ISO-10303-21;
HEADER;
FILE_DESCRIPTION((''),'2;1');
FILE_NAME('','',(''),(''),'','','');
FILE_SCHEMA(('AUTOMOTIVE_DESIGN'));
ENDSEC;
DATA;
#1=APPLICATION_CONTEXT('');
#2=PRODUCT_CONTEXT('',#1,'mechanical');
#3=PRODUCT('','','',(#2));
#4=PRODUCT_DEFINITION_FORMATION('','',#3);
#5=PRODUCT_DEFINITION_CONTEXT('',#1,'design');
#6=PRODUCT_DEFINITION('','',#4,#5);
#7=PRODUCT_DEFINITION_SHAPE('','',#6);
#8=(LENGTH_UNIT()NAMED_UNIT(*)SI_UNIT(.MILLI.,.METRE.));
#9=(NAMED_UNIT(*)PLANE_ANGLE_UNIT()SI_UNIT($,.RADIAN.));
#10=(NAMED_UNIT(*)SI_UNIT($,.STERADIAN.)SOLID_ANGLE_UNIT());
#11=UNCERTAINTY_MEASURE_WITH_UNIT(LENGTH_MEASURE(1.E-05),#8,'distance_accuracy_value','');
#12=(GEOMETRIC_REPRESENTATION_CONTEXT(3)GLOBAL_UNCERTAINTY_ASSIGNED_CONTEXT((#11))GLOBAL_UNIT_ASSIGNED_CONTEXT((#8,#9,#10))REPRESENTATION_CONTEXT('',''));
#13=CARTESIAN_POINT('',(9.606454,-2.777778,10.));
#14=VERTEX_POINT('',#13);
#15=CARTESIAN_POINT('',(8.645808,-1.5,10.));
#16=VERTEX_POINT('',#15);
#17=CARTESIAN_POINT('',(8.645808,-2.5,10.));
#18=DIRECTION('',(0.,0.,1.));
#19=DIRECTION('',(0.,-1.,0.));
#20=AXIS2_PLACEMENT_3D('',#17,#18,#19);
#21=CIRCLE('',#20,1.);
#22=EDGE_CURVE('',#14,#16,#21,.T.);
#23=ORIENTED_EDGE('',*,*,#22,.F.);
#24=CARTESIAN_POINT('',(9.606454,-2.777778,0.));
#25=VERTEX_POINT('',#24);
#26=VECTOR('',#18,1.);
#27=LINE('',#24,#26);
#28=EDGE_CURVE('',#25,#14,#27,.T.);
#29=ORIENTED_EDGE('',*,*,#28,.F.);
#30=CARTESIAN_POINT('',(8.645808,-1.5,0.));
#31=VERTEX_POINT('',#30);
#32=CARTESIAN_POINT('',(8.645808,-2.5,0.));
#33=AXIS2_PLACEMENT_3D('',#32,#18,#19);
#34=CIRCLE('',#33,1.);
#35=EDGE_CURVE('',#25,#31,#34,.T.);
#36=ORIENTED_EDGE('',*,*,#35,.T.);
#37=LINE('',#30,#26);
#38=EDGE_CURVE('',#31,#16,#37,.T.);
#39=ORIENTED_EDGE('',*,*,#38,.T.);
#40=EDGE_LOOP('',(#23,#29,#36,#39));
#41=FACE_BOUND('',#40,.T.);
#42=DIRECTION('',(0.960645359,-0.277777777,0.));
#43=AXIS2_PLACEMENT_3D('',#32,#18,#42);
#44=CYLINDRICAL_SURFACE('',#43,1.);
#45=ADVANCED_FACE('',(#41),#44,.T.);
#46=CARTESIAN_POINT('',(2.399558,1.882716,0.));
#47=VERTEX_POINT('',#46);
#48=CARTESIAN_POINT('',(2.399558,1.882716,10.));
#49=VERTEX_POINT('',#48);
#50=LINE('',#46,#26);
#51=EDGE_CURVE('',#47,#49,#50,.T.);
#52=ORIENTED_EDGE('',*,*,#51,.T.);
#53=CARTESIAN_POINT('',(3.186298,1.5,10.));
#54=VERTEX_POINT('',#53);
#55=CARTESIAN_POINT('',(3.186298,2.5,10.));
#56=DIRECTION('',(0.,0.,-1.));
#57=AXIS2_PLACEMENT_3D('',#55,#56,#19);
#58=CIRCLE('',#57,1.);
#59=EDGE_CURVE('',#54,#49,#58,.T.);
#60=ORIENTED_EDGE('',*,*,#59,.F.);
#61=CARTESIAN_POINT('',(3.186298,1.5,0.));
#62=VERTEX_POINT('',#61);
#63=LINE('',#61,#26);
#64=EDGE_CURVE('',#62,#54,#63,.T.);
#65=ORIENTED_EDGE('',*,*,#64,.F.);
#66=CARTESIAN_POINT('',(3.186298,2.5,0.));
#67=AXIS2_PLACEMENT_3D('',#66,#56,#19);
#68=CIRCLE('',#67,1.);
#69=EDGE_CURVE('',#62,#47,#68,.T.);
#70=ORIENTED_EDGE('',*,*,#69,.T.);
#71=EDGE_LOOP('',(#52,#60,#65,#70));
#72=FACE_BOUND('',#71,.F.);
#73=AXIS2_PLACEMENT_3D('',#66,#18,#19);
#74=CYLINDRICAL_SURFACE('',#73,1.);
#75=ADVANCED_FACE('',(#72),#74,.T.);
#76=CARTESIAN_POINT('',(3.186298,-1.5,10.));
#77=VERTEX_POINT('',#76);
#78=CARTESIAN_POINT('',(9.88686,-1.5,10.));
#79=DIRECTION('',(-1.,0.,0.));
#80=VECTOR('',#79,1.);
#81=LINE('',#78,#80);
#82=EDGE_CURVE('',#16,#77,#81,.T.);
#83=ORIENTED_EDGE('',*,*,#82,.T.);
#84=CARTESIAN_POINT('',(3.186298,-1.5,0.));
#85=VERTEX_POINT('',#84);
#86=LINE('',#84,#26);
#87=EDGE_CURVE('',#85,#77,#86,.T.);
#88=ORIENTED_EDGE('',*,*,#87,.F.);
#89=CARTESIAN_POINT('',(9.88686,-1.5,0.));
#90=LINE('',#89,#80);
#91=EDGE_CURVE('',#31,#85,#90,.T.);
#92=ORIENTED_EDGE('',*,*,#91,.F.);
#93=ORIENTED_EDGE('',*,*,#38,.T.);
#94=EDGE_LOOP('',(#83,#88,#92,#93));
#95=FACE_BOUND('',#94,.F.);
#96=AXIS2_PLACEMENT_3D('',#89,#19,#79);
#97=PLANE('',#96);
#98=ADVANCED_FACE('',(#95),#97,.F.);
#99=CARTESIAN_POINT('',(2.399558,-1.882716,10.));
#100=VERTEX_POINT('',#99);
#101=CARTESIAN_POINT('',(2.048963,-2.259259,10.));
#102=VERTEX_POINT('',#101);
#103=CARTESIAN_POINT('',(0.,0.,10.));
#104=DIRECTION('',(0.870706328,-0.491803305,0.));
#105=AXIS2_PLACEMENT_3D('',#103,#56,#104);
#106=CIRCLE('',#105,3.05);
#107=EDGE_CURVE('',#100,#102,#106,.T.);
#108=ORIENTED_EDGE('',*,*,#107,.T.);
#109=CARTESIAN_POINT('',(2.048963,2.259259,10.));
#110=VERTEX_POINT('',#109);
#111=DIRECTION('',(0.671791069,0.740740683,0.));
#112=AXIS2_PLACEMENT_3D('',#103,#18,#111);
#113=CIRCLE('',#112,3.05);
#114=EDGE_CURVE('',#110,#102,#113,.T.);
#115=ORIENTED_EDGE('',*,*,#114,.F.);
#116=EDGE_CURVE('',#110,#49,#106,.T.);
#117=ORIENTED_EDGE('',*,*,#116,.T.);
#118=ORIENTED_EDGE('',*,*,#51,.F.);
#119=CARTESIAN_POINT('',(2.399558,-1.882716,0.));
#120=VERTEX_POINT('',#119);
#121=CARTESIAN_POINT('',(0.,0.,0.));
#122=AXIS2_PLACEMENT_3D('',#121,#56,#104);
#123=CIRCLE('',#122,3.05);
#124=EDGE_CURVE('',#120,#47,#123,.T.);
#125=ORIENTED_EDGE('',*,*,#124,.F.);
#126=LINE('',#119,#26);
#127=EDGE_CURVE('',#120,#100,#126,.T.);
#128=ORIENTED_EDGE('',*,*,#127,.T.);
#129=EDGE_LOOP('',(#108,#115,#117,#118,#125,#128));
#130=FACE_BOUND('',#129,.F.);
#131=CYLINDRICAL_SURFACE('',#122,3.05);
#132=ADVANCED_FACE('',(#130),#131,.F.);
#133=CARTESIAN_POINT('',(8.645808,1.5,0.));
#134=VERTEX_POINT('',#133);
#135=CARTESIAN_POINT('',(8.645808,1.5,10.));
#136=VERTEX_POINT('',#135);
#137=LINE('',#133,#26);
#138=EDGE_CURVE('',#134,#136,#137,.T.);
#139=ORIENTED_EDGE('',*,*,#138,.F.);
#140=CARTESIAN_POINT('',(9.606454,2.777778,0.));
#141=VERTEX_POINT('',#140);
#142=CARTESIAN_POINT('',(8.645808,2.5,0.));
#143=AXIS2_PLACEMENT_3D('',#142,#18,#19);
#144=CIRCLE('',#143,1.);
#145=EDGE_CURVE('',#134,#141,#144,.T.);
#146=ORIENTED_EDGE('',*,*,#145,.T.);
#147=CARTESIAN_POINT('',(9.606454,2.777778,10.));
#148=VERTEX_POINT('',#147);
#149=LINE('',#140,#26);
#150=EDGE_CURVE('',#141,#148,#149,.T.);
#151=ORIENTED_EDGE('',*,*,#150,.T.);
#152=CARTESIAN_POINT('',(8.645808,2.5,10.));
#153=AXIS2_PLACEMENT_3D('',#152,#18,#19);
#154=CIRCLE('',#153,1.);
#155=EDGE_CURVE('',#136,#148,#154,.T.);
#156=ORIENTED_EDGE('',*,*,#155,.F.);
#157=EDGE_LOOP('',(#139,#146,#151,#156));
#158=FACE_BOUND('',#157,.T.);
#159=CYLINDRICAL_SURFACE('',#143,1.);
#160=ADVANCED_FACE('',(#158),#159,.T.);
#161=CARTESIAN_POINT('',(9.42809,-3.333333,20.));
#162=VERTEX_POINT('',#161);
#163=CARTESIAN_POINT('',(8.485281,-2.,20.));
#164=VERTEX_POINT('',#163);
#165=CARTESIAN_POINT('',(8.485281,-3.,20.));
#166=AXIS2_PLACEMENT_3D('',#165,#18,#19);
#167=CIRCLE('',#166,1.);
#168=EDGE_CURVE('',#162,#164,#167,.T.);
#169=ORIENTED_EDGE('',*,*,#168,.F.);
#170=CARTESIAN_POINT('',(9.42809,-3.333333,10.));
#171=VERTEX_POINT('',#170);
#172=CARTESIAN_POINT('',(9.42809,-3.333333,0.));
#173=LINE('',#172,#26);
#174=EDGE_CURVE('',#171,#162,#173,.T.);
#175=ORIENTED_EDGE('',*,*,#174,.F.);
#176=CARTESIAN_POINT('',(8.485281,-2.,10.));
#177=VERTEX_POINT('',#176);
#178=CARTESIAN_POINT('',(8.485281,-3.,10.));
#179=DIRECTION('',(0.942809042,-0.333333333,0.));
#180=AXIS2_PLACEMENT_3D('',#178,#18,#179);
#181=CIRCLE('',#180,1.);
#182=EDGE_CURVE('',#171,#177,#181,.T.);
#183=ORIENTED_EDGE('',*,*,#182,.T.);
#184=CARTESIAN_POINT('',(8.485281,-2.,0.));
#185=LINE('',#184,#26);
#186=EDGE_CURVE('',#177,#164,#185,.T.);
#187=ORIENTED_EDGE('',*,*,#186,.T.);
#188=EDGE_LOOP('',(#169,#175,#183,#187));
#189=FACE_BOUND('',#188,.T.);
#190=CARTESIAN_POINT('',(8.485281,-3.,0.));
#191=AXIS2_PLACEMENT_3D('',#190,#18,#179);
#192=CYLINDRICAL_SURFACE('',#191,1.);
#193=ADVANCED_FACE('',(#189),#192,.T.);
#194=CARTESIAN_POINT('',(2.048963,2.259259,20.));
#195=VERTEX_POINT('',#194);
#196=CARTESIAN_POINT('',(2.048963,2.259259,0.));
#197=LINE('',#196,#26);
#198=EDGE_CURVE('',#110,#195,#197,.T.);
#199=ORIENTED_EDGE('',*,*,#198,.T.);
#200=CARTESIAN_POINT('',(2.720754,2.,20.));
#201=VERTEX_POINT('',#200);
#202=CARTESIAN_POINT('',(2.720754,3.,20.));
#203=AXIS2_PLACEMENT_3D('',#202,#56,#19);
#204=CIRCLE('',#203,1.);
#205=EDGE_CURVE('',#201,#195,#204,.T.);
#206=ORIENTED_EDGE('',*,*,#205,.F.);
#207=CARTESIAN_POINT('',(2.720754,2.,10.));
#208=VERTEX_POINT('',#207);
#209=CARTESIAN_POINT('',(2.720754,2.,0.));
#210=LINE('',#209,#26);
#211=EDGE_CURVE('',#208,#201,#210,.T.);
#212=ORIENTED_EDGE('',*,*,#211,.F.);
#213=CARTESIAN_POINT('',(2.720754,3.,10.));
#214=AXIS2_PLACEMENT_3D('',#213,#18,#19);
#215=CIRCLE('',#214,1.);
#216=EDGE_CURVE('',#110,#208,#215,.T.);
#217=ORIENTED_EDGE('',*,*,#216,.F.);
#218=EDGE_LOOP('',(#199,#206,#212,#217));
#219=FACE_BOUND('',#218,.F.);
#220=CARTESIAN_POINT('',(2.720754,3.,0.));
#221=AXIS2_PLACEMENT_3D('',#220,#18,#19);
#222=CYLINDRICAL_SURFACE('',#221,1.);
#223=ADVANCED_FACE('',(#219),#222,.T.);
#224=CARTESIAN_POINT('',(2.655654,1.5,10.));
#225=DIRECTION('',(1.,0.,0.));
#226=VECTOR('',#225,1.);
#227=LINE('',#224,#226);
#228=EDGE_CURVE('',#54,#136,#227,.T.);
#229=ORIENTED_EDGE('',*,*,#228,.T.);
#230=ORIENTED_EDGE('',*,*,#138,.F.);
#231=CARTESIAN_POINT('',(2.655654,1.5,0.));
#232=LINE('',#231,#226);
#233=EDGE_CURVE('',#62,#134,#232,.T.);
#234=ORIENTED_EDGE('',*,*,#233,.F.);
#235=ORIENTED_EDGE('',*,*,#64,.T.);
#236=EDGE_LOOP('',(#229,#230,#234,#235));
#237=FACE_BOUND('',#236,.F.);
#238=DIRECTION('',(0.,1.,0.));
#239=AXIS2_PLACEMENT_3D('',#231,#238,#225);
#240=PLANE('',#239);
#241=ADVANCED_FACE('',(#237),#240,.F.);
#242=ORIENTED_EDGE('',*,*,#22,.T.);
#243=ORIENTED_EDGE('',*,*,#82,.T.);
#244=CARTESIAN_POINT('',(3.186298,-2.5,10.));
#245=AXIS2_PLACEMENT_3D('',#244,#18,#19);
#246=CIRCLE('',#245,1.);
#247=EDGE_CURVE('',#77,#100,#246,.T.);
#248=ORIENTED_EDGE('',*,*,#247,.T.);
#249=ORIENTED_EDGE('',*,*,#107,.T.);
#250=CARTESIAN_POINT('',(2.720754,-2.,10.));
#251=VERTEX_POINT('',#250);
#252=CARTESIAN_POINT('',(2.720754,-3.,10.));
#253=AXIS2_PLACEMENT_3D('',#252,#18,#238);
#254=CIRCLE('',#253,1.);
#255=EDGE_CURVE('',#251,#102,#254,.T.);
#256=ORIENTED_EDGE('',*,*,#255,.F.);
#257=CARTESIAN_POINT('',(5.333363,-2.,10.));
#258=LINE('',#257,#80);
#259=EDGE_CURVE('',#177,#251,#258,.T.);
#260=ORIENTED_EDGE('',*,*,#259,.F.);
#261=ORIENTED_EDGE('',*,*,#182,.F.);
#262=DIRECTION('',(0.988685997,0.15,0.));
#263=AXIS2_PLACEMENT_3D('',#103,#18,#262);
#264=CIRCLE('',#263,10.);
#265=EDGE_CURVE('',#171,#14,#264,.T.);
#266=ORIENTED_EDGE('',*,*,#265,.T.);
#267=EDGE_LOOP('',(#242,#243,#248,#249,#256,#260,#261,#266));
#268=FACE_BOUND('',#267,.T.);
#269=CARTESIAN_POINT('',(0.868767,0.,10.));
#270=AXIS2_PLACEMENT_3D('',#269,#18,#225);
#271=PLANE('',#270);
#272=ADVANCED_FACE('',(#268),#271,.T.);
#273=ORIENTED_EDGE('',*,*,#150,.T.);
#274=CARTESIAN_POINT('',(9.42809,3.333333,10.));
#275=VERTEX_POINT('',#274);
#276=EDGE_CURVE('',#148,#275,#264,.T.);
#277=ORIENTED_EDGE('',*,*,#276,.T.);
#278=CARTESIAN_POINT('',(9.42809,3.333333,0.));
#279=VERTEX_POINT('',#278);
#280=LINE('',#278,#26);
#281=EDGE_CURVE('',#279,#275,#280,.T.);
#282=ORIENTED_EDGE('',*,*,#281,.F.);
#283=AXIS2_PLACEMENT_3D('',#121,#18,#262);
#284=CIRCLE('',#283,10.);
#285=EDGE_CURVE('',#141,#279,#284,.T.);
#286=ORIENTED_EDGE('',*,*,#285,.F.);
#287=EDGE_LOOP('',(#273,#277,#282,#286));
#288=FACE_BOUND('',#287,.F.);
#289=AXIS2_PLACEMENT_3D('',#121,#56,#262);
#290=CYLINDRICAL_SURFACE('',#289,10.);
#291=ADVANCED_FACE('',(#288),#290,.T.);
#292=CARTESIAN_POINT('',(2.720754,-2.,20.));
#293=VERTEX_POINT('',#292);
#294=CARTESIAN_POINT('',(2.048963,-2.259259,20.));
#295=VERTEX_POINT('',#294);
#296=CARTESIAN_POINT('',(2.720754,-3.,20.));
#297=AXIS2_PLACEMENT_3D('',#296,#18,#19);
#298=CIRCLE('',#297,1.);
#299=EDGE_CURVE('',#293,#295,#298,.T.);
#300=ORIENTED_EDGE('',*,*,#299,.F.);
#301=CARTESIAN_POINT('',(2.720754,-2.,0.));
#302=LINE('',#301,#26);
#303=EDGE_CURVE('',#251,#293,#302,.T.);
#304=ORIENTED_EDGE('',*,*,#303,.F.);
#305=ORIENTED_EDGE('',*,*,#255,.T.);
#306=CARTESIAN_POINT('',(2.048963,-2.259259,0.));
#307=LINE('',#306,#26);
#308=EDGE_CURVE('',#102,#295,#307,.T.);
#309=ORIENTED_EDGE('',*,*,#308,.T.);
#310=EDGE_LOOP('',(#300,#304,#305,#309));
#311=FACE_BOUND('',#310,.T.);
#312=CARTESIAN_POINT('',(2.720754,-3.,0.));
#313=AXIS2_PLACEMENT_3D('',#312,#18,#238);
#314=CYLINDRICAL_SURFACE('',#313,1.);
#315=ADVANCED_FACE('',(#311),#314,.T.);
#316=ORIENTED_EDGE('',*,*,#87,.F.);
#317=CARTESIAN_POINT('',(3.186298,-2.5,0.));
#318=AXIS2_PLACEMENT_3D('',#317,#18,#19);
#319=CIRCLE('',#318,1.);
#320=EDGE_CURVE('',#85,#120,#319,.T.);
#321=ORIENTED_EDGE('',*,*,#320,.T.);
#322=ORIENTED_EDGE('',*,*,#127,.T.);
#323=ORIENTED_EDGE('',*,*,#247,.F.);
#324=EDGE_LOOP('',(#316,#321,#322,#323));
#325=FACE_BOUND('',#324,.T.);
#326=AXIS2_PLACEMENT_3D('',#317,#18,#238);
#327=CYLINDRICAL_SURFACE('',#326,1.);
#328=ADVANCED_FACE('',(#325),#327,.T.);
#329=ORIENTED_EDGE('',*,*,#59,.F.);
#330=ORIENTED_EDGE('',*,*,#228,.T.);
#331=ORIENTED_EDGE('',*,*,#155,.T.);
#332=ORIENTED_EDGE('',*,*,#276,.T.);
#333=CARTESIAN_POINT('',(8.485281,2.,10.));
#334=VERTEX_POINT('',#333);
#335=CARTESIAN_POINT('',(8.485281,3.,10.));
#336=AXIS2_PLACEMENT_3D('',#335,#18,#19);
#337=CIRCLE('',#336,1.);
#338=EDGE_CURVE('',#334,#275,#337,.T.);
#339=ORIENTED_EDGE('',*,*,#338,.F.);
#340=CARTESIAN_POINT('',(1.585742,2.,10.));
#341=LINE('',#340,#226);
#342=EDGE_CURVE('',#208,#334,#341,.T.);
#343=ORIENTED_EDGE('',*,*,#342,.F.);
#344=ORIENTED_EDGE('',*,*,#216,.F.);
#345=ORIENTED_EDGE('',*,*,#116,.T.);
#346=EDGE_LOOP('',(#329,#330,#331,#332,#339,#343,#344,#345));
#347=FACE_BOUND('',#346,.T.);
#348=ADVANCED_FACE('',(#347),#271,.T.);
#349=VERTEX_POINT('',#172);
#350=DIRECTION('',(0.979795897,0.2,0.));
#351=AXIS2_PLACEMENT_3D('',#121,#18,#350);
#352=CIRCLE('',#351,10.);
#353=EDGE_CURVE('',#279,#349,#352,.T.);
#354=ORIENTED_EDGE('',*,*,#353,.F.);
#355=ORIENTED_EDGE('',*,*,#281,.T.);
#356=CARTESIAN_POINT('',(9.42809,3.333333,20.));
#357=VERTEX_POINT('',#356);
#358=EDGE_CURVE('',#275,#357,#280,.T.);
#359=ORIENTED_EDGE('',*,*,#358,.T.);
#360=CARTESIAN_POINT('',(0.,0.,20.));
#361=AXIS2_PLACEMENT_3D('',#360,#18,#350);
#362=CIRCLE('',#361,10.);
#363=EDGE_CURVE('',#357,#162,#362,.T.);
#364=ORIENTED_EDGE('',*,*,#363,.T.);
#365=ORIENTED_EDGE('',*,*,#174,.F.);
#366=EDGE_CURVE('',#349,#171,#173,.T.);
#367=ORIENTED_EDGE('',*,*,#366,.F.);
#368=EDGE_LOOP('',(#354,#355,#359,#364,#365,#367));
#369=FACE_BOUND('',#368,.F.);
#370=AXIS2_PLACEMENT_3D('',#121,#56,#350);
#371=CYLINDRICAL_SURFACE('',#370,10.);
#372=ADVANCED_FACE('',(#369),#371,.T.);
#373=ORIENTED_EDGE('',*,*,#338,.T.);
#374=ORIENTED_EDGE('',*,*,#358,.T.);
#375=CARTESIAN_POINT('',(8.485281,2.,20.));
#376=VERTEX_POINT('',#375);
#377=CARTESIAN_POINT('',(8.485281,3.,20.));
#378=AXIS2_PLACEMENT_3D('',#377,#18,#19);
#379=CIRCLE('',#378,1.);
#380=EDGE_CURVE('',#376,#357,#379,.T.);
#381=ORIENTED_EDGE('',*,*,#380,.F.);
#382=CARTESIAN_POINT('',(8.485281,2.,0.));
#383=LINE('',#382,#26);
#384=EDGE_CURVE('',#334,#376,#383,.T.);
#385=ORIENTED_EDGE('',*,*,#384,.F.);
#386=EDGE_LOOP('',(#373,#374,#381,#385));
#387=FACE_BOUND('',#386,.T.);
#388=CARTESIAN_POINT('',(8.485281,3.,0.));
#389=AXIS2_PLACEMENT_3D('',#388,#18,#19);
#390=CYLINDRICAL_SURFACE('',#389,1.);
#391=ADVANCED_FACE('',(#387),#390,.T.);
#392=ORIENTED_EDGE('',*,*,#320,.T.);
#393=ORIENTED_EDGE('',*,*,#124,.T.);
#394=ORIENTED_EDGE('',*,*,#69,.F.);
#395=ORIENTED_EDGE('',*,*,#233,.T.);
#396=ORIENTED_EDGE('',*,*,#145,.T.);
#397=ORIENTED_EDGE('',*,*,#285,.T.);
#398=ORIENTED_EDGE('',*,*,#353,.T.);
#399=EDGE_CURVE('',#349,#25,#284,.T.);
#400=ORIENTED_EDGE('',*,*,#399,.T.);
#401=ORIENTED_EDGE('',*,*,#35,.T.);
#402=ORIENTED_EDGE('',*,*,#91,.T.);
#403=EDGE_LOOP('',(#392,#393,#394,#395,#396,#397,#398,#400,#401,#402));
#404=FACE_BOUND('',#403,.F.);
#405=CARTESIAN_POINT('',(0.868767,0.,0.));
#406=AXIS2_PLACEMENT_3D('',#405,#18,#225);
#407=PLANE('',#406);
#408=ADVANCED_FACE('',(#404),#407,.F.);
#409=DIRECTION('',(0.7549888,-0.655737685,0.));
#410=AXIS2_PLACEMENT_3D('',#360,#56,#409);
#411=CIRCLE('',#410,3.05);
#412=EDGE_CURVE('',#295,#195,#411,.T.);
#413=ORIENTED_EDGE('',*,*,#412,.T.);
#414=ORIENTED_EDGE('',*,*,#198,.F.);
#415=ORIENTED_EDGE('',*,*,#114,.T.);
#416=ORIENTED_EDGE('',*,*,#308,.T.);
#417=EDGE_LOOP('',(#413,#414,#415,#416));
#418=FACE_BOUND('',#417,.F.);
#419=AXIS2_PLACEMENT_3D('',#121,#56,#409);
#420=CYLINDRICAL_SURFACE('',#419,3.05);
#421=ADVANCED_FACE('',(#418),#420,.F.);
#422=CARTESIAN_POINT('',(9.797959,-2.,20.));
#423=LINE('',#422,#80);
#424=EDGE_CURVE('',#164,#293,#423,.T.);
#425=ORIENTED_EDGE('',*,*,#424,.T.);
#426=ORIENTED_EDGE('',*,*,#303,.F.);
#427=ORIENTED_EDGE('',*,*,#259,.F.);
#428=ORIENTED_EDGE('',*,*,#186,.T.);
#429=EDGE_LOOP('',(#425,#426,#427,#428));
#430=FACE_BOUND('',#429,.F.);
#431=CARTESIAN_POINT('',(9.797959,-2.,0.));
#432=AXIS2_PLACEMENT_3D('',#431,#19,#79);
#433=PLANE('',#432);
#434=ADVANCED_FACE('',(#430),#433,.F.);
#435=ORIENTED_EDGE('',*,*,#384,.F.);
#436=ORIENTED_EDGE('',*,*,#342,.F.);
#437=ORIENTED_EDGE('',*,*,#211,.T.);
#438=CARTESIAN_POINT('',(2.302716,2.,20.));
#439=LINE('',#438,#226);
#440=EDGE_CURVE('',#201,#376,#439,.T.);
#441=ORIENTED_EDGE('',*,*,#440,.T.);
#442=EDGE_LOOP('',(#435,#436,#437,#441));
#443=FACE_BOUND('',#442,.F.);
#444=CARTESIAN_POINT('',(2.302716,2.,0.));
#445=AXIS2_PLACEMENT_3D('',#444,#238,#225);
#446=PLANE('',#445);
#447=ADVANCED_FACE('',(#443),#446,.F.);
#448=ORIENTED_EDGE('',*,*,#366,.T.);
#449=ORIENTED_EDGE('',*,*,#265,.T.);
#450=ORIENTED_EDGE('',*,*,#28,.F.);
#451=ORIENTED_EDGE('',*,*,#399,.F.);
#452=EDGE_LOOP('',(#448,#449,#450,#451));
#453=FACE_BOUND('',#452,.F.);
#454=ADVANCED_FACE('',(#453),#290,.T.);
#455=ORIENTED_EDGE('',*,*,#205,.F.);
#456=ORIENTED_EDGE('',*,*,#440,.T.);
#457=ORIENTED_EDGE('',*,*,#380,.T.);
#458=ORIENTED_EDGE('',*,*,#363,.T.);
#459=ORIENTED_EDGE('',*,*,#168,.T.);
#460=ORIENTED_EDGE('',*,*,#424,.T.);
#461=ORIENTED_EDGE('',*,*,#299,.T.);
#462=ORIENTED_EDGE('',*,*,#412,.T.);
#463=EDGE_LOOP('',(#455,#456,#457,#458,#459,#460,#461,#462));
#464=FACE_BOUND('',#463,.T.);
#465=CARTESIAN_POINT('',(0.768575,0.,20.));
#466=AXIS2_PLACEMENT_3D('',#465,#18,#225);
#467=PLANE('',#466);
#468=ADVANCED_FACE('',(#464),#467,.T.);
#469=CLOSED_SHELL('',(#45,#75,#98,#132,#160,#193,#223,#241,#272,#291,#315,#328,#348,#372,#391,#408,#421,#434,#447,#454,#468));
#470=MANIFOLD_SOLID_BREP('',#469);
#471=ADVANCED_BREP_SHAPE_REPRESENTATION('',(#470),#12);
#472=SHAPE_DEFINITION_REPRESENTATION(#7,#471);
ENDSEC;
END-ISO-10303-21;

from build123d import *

# Parameters (mm, degrees)
F1_DEPTH = 20
F2_R     = 1
F4_DEPTH = 10
F5_R     = 1


with BuildPart() as f1:
    # F0 (on Top) → F1 (new body)
    with BuildSketch(Plane.XY):
        with BuildLine():
            Line((2.302716, 2), (9.797959, 2))
            ThreePointArc((9.797959, 2), (-10, 0), (9.797959, -2))
            Line((9.797959, -2), (2.302716, -2))
            ThreePointArc((2.302716, -2), (-3.05, 0), (2.302716, 2))
        make_face()
    extrude(amount=F1_DEPTH)

    # F2
    f2_edges = [f1.edges().sort_by_distance(p)[0] for p in [
        (9.797959, 2, 10),
        (2.302716, 2, 10),
        (2.302716, -2, 10),
        (9.797959, -2, 10),
    ]]
    fillet(f2_edges, radius=F2_R)

    # F3 (on Top) → F4 (join)
    with BuildSketch(Plane.XY):
        with BuildLine():
            Line((2.655654, 1.5), (9.88686, 1.5))
            ThreePointArc((9.88686, 1.5), (-10, 0), (9.88686, -1.5))
            Line((9.88686, -1.5), (2.655654, -1.5))
            ThreePointArc((2.655654, -1.5), (-3.05, 0), (2.655654, 1.5))
        make_face()
    extrude(amount=F4_DEPTH)

    # F5
    f5_edges = [f1.edges().sort_by_distance(p)[0] for p in [
        (9.88686, -1.5, 5),
        (9.88686, 1.5, 5),
        (2.655654, -1.5, 5),
        (2.655654, 1.5, 5),
    ]]
    fillet(f5_edges, radius=F5_R)


solid = f1.part
